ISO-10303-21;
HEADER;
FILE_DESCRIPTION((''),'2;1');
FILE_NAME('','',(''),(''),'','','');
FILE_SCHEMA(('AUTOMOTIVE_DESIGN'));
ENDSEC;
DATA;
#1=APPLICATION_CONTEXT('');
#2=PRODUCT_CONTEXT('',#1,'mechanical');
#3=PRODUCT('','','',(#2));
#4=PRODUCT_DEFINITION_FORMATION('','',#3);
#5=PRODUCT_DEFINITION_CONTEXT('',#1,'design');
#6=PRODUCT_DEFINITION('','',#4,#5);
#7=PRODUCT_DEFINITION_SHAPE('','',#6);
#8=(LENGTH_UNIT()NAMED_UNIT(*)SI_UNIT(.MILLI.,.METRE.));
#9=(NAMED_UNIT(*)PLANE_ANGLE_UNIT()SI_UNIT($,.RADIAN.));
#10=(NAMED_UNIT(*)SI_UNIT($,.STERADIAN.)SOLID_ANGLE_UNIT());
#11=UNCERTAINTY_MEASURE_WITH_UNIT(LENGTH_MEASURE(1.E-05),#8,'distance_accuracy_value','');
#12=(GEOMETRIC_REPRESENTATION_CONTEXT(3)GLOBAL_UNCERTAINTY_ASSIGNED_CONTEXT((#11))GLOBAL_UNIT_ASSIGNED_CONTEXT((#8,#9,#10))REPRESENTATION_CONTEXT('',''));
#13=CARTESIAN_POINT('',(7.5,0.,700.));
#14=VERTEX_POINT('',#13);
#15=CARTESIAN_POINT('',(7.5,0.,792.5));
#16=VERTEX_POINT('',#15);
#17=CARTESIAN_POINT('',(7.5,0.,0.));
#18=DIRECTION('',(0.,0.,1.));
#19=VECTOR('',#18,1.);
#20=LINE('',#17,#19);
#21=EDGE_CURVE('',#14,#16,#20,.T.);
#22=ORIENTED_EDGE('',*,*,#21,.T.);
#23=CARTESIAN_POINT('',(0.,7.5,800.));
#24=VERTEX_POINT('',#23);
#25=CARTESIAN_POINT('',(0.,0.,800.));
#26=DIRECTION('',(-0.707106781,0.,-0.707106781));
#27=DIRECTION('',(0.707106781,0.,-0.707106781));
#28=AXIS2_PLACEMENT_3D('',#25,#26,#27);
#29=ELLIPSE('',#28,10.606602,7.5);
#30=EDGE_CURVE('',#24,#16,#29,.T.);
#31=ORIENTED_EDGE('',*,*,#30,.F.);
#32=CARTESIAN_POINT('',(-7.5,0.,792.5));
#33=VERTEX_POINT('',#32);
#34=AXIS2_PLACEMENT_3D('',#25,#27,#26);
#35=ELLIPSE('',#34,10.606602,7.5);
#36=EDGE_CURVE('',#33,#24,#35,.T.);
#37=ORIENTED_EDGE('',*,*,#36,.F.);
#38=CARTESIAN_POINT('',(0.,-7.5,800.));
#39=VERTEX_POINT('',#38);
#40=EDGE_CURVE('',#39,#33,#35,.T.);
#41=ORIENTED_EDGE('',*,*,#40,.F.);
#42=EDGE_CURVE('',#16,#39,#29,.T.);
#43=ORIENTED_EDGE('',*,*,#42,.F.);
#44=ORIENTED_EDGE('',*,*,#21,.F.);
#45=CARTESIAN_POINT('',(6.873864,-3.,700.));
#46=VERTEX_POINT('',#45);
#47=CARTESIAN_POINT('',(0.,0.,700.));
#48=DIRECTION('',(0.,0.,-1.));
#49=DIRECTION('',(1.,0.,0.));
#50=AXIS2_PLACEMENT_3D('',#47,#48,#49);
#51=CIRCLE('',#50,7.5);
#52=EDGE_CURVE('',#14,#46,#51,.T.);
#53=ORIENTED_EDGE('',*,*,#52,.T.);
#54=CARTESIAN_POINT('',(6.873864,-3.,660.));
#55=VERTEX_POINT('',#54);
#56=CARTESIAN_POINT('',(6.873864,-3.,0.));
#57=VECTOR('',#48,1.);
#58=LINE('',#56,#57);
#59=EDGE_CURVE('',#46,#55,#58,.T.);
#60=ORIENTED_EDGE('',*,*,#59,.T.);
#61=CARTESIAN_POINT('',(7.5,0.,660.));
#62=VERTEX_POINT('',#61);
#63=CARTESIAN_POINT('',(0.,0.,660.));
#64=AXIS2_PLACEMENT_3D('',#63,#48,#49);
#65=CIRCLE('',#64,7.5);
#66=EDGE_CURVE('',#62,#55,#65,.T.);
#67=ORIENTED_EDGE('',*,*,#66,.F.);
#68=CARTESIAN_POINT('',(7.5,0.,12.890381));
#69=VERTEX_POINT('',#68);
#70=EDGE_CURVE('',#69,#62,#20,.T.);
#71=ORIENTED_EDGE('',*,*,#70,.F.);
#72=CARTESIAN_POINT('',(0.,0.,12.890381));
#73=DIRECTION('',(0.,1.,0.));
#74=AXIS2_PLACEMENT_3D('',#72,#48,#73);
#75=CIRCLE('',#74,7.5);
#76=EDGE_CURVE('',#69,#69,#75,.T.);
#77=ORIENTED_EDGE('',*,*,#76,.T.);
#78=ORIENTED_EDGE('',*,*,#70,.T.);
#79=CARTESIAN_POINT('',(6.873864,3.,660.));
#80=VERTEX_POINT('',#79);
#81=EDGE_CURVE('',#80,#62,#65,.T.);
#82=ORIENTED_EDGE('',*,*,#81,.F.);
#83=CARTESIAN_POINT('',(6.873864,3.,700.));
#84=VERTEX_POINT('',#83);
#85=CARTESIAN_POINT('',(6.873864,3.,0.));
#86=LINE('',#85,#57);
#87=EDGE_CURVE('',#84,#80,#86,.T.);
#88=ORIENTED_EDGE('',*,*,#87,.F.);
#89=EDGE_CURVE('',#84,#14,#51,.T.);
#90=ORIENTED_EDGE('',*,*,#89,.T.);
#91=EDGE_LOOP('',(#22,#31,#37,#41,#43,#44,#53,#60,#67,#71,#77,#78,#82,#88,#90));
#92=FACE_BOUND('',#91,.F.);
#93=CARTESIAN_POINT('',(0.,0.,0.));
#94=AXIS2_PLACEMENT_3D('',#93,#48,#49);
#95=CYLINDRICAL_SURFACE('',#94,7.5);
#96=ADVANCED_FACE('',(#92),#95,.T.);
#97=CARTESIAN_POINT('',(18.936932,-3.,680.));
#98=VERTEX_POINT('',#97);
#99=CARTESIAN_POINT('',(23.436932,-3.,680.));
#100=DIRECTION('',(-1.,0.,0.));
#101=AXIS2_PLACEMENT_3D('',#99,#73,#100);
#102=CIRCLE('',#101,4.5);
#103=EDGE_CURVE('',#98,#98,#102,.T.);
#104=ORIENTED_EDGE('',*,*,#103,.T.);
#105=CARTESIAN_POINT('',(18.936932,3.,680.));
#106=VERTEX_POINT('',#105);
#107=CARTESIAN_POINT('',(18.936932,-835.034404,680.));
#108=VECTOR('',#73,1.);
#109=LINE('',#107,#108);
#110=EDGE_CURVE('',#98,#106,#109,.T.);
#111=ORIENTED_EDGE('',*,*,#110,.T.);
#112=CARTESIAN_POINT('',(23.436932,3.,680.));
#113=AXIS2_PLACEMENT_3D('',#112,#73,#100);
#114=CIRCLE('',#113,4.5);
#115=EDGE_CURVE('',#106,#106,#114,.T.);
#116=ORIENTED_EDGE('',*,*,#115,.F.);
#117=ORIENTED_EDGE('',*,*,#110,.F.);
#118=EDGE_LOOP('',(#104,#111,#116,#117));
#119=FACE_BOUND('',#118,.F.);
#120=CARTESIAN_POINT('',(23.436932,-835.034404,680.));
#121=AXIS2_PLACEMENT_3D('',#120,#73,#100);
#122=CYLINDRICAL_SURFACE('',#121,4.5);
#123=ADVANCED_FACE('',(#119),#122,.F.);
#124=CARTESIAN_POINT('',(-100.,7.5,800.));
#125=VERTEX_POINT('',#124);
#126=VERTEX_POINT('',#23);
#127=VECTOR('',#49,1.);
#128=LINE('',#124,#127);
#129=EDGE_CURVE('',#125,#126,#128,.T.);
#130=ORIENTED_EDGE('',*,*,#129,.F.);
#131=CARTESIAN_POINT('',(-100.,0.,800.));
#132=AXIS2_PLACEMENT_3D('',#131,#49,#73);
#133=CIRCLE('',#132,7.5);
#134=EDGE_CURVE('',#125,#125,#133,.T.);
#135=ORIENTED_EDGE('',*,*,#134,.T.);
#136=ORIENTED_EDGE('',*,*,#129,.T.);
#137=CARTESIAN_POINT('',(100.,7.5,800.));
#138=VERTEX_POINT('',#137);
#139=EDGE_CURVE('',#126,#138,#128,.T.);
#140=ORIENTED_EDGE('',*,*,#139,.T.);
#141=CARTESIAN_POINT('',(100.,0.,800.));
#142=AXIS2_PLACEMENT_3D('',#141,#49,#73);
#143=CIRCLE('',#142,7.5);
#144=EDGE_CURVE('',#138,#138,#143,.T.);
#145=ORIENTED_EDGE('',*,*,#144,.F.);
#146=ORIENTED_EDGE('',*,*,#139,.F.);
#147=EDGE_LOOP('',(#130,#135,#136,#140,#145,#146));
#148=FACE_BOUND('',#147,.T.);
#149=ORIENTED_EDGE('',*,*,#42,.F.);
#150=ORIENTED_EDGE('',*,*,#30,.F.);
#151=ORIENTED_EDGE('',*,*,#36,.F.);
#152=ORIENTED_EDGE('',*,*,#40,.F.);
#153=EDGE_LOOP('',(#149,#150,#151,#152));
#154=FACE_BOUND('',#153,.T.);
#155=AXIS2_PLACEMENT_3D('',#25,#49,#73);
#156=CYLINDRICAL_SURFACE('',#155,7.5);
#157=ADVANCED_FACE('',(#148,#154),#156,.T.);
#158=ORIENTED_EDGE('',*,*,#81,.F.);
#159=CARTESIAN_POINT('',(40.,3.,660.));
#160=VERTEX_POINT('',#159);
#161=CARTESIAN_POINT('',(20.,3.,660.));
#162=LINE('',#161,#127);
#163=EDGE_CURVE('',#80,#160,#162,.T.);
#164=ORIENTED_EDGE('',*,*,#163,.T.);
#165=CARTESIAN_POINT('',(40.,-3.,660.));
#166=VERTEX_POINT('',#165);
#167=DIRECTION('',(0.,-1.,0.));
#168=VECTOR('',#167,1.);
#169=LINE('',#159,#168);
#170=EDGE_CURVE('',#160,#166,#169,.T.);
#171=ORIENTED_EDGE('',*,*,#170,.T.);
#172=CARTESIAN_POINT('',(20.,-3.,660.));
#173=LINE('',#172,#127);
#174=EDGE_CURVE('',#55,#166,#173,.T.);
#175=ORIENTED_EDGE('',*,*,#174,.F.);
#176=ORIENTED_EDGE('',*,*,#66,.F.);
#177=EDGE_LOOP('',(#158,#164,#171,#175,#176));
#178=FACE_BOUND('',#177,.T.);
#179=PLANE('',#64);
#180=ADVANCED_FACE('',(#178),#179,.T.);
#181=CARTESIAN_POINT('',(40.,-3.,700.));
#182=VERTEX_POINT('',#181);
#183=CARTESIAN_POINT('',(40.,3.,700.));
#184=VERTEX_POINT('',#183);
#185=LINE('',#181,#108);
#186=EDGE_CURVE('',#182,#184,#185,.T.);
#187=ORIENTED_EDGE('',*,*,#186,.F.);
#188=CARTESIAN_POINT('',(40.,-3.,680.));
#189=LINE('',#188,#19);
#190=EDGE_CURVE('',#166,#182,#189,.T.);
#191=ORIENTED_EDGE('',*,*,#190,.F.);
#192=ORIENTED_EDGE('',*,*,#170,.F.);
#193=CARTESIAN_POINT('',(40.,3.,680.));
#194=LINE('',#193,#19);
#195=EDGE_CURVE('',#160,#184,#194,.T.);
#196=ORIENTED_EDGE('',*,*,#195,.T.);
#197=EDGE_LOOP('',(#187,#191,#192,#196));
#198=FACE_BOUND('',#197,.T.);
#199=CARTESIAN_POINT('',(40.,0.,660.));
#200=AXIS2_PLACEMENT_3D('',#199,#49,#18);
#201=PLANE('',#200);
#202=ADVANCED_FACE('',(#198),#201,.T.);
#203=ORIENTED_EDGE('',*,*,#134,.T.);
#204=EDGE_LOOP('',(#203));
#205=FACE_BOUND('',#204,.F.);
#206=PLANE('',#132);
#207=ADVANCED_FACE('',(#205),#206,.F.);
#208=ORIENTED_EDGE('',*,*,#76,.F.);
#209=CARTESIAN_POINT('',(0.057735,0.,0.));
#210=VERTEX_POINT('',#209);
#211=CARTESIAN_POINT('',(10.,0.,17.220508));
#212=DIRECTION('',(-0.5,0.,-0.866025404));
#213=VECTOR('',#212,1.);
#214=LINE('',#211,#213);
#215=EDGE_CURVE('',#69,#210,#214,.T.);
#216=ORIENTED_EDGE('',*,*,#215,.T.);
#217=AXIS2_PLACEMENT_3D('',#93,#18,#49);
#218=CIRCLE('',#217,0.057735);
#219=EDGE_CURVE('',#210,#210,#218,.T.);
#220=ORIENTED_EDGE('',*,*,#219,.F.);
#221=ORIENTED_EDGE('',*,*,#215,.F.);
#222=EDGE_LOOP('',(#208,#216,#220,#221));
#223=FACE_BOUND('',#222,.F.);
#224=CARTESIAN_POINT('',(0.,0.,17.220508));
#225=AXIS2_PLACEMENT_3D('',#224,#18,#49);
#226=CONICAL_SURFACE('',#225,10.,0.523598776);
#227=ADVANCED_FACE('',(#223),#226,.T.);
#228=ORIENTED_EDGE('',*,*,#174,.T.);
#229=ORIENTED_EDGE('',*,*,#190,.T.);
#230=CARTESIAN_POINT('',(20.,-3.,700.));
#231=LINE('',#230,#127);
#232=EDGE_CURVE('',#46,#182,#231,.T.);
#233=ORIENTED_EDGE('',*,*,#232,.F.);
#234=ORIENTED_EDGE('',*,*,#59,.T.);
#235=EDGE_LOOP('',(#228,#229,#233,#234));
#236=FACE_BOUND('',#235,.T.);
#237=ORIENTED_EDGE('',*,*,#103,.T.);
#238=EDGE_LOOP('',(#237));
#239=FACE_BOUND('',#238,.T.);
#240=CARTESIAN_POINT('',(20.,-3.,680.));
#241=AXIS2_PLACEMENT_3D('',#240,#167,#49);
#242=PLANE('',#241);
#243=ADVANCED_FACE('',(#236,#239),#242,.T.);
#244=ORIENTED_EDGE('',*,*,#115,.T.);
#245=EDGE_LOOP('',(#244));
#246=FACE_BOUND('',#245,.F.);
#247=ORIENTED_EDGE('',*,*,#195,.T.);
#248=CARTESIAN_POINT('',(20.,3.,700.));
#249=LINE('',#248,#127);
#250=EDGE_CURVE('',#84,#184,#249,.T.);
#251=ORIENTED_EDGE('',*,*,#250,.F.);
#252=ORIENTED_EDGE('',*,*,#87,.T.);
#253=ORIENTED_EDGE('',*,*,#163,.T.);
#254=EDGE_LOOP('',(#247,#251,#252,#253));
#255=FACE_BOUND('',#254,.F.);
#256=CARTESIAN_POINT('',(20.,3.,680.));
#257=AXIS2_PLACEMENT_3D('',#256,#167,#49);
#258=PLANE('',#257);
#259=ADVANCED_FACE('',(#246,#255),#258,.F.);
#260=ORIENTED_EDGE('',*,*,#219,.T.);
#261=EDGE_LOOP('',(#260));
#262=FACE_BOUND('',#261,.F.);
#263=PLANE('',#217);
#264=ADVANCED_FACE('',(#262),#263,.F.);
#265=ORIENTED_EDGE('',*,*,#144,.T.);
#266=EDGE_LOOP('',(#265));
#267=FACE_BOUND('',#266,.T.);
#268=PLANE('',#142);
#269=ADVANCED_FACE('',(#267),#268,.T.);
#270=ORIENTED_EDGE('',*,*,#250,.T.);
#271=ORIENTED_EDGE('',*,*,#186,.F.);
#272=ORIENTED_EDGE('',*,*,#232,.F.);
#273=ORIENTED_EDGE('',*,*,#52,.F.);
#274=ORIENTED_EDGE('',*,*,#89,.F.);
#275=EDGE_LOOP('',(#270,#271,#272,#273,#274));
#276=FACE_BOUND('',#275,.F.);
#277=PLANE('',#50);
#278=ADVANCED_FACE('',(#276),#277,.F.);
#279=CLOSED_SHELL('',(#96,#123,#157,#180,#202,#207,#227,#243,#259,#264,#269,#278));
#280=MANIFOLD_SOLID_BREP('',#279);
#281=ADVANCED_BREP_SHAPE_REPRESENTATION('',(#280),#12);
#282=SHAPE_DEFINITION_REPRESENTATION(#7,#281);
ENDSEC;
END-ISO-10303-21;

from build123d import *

# Parameters (mm, degrees)
F0_R     = 7.5
F1_DEPTH = 800
F2_R     = 7.5
F3_DEPTH = 100
F4_W     = 40
F4_H     = 40
F5_DEPTH = 3
F7_D     = 9


with BuildPart() as f1:
    # F0 (on Top) → F1 (new body)
    with BuildSketch(Plane.XY):
        Circle(F0_R)
    extrude(amount=F1_DEPTH)

    # F2 (on Right) → F3 (join, symmetric)
    with BuildSketch(Plane.YZ):
        with Locations((0, 800)):
            Circle(F2_R)
    extrude(amount=F3_DEPTH, both=True)

    # F4 (on Front) → F5 (join, symmetric)
    with BuildSketch(Plane.XZ):
        with Locations((20, 680)):
            Rectangle(F4_W, F4_H)
    extrude(amount=F5_DEPTH, both=True)

    # F7 (through all)
    with Locations(Plane.XZ.offset(3)):
        with Locations((23.4369317712, 680)):
            Hole(F7_D / 2)

    # F8 (on Front) → F9 (revolve, cut)
    with BuildSketch(Plane.XZ):
        Polygon((10, 17.2205080757), (0.0577350269, 0), (0.0577350269, -0.1), (10, -0.1), align=None)
    revolve(axis=Axis((0, 0, 4.9), (0, 0, 1)), mode=Mode.SUBTRACT)


solid = f1.part
